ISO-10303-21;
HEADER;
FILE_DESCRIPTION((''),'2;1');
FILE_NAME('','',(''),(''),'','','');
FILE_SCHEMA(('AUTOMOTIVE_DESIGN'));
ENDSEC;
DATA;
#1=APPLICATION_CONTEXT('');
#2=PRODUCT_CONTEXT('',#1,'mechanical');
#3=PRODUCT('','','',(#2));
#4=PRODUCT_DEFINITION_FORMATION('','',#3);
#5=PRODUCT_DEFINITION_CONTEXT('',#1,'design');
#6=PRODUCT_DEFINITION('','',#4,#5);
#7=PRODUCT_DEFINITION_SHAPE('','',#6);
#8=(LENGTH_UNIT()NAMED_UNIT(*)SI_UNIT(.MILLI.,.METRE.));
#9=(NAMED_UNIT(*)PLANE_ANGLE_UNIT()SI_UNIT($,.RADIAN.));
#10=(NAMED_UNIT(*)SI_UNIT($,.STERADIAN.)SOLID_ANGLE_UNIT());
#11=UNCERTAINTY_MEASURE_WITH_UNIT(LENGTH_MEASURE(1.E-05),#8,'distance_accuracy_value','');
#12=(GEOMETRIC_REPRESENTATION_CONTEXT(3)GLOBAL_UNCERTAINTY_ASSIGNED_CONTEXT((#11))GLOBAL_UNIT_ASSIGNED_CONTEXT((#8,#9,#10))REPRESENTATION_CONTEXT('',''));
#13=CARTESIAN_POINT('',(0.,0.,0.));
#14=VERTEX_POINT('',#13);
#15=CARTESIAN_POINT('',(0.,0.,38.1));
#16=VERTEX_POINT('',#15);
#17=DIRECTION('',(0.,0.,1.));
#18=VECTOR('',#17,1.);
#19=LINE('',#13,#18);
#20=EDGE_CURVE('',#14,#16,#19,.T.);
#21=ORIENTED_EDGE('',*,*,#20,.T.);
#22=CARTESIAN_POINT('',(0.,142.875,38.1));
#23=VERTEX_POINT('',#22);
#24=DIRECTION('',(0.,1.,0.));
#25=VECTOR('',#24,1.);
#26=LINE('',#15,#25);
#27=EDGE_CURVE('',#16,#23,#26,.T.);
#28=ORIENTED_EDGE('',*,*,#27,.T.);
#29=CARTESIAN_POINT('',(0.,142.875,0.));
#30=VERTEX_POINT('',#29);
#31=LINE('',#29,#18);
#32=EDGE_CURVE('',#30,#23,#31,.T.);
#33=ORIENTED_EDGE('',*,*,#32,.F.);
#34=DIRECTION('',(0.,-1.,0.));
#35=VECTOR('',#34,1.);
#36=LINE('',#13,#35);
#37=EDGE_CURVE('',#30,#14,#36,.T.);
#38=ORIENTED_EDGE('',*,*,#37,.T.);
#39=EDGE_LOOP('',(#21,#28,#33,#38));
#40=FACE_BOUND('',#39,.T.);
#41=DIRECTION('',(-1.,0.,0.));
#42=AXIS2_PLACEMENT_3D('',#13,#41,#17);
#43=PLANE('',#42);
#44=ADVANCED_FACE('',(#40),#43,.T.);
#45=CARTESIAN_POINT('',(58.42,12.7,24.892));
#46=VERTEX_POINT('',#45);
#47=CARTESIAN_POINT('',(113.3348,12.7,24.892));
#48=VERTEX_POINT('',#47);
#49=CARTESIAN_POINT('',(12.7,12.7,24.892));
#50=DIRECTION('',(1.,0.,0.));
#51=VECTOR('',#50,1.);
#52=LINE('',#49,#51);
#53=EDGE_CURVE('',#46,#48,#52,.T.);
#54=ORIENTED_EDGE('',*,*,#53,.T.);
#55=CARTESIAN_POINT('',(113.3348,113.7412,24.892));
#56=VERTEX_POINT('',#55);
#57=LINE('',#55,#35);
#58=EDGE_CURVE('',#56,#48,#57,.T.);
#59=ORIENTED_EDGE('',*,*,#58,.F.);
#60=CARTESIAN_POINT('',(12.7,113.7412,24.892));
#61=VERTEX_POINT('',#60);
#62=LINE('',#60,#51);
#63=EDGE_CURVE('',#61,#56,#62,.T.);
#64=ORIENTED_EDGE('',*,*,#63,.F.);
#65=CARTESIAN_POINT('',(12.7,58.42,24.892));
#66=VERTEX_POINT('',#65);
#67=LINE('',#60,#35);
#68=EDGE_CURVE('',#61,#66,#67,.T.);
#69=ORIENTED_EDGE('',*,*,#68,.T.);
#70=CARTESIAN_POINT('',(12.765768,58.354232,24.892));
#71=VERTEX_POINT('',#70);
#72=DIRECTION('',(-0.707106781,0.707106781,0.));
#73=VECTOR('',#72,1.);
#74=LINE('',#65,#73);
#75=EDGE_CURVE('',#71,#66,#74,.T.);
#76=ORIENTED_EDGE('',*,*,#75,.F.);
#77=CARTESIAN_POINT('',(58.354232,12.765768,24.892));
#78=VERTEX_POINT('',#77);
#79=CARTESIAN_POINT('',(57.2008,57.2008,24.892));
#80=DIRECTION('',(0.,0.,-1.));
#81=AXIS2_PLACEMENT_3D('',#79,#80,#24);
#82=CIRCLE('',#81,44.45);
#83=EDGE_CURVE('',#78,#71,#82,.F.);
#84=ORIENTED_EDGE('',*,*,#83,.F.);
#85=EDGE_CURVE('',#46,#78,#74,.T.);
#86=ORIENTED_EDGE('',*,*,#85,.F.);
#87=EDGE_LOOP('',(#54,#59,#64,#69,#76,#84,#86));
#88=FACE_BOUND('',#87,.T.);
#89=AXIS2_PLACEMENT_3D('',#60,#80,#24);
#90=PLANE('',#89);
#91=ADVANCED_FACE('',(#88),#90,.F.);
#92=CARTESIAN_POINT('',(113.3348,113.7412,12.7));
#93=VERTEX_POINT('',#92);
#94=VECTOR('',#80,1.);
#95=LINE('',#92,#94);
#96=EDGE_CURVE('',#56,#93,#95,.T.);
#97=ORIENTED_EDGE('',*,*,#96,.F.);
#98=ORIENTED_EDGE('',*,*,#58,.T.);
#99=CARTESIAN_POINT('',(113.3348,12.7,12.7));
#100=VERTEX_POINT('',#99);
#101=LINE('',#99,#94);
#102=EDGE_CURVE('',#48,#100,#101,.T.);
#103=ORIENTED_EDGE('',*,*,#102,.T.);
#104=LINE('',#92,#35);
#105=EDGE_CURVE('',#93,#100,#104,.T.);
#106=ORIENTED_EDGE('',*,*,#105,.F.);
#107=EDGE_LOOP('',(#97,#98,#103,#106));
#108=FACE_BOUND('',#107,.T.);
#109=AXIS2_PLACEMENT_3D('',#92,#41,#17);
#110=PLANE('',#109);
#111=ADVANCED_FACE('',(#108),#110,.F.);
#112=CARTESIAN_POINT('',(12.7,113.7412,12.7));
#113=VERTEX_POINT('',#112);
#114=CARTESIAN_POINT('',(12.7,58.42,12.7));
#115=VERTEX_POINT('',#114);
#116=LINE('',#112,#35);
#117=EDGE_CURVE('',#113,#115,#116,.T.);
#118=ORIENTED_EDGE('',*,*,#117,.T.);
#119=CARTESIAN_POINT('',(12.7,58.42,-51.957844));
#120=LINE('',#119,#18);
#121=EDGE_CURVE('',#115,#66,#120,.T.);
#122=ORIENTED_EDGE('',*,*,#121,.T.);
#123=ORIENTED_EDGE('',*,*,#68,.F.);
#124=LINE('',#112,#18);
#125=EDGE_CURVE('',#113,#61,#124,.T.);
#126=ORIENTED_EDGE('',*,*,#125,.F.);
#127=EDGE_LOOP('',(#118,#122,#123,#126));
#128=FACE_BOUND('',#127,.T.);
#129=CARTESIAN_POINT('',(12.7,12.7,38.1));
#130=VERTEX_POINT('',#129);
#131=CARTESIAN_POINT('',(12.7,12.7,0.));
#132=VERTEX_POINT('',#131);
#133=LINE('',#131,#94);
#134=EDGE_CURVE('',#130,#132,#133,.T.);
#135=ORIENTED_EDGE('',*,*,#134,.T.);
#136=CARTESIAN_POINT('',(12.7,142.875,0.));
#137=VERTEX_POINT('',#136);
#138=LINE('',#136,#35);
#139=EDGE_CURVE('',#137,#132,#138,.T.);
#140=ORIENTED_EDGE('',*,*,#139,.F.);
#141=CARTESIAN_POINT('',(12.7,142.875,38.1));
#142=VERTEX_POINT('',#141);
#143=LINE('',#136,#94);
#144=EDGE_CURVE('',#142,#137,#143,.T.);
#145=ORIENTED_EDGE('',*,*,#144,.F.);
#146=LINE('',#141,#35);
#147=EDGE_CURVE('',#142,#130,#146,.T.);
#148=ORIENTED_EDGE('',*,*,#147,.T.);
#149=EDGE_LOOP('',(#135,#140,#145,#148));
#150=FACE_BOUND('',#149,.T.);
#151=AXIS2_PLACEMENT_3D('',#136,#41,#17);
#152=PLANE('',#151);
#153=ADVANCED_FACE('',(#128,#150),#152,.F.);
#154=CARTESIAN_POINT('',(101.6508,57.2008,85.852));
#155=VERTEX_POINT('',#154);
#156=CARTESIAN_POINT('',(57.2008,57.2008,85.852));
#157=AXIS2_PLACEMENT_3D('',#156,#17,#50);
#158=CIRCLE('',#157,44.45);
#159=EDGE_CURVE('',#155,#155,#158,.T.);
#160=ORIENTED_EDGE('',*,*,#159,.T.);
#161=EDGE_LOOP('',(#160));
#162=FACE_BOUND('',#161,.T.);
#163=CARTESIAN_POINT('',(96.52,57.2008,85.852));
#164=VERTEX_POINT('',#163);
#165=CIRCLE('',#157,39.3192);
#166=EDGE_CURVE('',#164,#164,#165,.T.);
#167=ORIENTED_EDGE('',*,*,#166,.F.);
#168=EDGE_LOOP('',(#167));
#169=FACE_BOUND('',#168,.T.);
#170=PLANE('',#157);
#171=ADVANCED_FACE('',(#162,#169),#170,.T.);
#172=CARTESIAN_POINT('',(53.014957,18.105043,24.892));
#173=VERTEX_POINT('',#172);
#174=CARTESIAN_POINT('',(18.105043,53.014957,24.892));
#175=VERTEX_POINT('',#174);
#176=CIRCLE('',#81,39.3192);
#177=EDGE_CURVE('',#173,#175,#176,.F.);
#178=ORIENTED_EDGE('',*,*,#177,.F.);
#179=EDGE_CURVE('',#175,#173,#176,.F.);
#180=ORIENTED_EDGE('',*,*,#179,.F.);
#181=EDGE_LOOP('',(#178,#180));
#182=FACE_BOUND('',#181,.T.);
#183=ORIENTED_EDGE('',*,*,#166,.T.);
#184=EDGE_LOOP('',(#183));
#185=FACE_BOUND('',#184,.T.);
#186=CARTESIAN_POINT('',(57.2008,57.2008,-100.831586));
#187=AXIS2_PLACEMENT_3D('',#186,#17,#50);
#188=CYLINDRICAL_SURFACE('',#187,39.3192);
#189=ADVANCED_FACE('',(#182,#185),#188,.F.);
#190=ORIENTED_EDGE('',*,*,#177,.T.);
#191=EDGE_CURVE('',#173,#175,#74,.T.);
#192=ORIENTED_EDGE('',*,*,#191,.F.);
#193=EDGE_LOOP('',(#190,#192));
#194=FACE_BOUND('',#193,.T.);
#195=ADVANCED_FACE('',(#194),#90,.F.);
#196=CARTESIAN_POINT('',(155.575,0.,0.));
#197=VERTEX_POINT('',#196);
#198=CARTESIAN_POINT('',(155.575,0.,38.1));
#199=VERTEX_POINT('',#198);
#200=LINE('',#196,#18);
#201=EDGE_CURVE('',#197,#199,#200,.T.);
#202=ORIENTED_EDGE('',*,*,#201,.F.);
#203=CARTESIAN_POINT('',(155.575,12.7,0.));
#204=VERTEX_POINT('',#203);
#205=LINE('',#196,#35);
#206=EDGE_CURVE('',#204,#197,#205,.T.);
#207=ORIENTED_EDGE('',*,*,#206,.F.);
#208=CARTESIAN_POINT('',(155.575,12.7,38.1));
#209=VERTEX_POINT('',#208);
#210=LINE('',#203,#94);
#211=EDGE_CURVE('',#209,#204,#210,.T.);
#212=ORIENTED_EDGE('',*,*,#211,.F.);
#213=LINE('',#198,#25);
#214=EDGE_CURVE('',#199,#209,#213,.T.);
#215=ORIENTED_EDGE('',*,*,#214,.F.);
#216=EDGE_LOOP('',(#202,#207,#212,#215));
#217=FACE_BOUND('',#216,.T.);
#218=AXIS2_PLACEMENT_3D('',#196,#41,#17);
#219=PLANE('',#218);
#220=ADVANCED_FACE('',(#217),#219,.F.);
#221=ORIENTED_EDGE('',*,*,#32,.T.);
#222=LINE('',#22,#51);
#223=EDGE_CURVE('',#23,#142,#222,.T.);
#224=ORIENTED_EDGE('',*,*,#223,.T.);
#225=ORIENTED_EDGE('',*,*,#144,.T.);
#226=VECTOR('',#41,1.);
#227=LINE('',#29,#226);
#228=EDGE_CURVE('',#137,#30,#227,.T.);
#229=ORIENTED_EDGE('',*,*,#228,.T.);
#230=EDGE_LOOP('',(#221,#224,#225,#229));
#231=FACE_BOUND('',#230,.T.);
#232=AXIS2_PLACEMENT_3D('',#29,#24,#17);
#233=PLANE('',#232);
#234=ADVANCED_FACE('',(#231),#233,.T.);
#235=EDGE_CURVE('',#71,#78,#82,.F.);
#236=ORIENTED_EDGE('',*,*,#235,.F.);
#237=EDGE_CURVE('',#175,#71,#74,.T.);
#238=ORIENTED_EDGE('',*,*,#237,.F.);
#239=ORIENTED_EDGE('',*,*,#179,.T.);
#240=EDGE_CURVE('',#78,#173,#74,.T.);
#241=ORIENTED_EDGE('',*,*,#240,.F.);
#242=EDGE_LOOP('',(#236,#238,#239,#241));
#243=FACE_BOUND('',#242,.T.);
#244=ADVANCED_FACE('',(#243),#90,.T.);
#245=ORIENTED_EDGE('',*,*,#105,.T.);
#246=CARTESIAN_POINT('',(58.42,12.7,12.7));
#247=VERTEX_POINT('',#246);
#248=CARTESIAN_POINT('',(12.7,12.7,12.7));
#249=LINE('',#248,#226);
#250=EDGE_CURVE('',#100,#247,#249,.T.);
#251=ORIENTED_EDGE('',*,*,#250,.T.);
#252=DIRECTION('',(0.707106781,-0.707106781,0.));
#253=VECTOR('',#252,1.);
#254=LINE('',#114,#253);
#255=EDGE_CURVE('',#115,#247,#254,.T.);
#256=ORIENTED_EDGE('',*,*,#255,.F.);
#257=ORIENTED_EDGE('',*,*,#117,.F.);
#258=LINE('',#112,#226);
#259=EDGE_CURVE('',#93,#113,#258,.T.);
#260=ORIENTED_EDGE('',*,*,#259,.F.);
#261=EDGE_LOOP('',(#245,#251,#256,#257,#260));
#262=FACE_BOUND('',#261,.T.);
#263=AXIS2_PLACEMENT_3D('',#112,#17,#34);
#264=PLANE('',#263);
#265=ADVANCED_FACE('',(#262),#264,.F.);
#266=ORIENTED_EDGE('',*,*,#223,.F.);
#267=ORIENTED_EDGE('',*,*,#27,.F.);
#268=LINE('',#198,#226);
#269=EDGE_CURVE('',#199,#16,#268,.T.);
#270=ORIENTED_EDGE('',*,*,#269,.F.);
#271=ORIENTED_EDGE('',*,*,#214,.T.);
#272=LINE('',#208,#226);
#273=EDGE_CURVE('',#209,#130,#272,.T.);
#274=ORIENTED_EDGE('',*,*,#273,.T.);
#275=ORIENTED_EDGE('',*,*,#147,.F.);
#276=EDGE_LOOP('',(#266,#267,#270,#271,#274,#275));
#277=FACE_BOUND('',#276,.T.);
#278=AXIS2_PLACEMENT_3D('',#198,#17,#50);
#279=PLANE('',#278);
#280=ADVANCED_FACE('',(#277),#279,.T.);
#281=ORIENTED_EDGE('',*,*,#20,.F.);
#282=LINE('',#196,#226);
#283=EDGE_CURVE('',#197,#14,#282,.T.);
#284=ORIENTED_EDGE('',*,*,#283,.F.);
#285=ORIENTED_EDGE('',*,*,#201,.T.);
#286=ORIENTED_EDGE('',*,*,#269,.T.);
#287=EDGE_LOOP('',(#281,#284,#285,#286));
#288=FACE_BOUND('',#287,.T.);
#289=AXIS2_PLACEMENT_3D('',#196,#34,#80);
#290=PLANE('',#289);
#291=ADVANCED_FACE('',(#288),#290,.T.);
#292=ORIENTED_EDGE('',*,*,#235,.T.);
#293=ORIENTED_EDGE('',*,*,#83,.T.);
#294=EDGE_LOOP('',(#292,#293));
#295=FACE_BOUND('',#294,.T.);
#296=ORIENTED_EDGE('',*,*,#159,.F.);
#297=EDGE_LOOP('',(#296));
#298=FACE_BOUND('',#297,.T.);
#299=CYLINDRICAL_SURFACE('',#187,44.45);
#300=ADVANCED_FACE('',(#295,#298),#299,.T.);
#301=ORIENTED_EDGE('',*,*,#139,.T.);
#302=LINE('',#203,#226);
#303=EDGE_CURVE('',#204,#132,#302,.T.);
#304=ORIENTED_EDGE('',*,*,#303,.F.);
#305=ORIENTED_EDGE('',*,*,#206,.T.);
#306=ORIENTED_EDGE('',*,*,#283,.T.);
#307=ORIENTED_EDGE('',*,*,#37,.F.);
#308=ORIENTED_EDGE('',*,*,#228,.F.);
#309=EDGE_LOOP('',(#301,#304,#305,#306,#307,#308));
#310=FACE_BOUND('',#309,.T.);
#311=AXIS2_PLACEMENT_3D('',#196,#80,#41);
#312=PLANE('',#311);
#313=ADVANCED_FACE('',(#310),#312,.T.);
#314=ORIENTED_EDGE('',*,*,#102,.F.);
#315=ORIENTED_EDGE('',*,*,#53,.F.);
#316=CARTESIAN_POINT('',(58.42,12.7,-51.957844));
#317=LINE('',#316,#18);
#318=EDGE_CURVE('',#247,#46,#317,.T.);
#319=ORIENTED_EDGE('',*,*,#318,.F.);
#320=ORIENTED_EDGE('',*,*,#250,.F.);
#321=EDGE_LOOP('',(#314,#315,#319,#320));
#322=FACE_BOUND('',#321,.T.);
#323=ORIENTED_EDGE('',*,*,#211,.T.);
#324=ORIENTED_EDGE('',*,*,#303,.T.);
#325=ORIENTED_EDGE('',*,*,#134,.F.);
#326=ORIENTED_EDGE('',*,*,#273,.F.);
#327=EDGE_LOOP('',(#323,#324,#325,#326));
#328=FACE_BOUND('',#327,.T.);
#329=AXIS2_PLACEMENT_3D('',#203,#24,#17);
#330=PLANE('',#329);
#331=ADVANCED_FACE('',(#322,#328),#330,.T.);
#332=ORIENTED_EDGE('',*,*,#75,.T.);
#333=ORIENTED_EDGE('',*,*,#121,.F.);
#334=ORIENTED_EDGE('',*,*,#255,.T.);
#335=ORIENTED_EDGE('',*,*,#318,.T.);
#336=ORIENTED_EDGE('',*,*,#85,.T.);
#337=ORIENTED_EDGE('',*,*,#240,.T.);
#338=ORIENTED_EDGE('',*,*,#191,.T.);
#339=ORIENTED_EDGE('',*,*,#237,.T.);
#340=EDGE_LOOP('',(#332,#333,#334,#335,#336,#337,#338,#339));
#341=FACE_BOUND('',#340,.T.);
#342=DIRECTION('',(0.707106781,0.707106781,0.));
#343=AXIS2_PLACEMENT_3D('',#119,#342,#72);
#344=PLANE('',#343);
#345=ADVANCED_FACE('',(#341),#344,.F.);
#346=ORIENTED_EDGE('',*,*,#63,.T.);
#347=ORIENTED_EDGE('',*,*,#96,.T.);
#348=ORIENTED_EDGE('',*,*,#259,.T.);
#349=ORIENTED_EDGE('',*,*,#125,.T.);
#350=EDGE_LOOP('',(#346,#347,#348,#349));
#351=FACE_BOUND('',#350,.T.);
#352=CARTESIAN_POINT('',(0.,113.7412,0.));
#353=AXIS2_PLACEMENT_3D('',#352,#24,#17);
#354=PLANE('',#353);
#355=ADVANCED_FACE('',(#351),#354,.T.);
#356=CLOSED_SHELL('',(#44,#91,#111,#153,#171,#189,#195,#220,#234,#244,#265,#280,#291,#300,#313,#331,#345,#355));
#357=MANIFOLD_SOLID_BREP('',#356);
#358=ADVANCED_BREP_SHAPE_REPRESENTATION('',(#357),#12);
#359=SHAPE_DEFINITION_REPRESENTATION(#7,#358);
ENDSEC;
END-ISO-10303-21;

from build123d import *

# Parameters (mm, degrees)
SKETCH1_W           = 12.7
SKETCH1_H           = 38.1
BOSS_EXTRUDE1_DEPTH = 155.575
SKETCH3_W           = 12.7
SKETCH3_H           = 38.1
BOSS_EXTRUDE2_DEPTH = 130.175
SKETCH4_W           = 100.6348
SKETCH4_H           = 12.192
BOSS_EXTRUDE3_DEPTH = 101.0412
CUT_EXTRUDE2_DEPTH  = 12.192
BOSS_EXTRUDE8_START = -60.96
SKETCH6_R           = 44.45
SKETCH6_R_2         = 39.3192
BOSS_EXTRUDE8_DEPTH = 60.96


with BuildPart() as part:
    # Sketch1 → Boss-Extrude1 (new body)
    with BuildSketch(Plane(origin=(0, 0, 0), x_dir=(0, -1, 0), z_dir=(-1, 0, 0))):
        with Locations((-6.35, 19.05)):
            Rectangle(SKETCH1_W, SKETCH1_H)
    extrude(amount=-BOSS_EXTRUDE1_DEPTH)

    # Sketch3 → Boss-Extrude2 (add)
    with BuildSketch(Plane(origin=(0, 12.7, 0), x_dir=(1, 0, 0), z_dir=(0, 1, 0))):
        with Locations((6.35, -19.05)):
            Rectangle(SKETCH3_W, SKETCH3_H)
    extrude(amount=BOSS_EXTRUDE2_DEPTH)

    # Sketch4 → Boss-Extrude3 (add)
    with BuildSketch(Plane(origin=(0, 12.7, 0), x_dir=(1, 0, 0), z_dir=(0, 1, 0))):
        with Locations((63.0174, -18.796)):
            Rectangle(SKETCH4_W, SKETCH4_H)
    extrude(amount=BOSS_EXTRUDE3_DEPTH)

    # Sketch5 → Cut-Extrude2 (cut)
    with BuildSketch(Plane.XY.offset(24.892)):
        Polygon((12.7, 58.42), (58.42, 12.7), (12.7, 12.7), align=None)
    extrude(amount=-CUT_EXTRUDE2_DEPTH, mode=Mode.SUBTRACT)

    # Sketch6 → Boss-Extrude8 (add)
    with BuildSketch(Plane(origin=(0, 0, 24.892), x_dir=(-1, 0, 0), z_dir=(0, 0, -1)).offset(BOSS_EXTRUDE8_START)):
        with Locations(Location((-57.2008, 57.2008, 0), (0, 0, 180))):
            Circle(SKETCH6_R)
        with Locations(Location((-57.2008, 57.2008, 0), (0, 0, 180))):
            Circle(SKETCH6_R_2, mode=Mode.SUBTRACT)
    extrude(amount=BOSS_EXTRUDE8_DEPTH)


solid = part.part
